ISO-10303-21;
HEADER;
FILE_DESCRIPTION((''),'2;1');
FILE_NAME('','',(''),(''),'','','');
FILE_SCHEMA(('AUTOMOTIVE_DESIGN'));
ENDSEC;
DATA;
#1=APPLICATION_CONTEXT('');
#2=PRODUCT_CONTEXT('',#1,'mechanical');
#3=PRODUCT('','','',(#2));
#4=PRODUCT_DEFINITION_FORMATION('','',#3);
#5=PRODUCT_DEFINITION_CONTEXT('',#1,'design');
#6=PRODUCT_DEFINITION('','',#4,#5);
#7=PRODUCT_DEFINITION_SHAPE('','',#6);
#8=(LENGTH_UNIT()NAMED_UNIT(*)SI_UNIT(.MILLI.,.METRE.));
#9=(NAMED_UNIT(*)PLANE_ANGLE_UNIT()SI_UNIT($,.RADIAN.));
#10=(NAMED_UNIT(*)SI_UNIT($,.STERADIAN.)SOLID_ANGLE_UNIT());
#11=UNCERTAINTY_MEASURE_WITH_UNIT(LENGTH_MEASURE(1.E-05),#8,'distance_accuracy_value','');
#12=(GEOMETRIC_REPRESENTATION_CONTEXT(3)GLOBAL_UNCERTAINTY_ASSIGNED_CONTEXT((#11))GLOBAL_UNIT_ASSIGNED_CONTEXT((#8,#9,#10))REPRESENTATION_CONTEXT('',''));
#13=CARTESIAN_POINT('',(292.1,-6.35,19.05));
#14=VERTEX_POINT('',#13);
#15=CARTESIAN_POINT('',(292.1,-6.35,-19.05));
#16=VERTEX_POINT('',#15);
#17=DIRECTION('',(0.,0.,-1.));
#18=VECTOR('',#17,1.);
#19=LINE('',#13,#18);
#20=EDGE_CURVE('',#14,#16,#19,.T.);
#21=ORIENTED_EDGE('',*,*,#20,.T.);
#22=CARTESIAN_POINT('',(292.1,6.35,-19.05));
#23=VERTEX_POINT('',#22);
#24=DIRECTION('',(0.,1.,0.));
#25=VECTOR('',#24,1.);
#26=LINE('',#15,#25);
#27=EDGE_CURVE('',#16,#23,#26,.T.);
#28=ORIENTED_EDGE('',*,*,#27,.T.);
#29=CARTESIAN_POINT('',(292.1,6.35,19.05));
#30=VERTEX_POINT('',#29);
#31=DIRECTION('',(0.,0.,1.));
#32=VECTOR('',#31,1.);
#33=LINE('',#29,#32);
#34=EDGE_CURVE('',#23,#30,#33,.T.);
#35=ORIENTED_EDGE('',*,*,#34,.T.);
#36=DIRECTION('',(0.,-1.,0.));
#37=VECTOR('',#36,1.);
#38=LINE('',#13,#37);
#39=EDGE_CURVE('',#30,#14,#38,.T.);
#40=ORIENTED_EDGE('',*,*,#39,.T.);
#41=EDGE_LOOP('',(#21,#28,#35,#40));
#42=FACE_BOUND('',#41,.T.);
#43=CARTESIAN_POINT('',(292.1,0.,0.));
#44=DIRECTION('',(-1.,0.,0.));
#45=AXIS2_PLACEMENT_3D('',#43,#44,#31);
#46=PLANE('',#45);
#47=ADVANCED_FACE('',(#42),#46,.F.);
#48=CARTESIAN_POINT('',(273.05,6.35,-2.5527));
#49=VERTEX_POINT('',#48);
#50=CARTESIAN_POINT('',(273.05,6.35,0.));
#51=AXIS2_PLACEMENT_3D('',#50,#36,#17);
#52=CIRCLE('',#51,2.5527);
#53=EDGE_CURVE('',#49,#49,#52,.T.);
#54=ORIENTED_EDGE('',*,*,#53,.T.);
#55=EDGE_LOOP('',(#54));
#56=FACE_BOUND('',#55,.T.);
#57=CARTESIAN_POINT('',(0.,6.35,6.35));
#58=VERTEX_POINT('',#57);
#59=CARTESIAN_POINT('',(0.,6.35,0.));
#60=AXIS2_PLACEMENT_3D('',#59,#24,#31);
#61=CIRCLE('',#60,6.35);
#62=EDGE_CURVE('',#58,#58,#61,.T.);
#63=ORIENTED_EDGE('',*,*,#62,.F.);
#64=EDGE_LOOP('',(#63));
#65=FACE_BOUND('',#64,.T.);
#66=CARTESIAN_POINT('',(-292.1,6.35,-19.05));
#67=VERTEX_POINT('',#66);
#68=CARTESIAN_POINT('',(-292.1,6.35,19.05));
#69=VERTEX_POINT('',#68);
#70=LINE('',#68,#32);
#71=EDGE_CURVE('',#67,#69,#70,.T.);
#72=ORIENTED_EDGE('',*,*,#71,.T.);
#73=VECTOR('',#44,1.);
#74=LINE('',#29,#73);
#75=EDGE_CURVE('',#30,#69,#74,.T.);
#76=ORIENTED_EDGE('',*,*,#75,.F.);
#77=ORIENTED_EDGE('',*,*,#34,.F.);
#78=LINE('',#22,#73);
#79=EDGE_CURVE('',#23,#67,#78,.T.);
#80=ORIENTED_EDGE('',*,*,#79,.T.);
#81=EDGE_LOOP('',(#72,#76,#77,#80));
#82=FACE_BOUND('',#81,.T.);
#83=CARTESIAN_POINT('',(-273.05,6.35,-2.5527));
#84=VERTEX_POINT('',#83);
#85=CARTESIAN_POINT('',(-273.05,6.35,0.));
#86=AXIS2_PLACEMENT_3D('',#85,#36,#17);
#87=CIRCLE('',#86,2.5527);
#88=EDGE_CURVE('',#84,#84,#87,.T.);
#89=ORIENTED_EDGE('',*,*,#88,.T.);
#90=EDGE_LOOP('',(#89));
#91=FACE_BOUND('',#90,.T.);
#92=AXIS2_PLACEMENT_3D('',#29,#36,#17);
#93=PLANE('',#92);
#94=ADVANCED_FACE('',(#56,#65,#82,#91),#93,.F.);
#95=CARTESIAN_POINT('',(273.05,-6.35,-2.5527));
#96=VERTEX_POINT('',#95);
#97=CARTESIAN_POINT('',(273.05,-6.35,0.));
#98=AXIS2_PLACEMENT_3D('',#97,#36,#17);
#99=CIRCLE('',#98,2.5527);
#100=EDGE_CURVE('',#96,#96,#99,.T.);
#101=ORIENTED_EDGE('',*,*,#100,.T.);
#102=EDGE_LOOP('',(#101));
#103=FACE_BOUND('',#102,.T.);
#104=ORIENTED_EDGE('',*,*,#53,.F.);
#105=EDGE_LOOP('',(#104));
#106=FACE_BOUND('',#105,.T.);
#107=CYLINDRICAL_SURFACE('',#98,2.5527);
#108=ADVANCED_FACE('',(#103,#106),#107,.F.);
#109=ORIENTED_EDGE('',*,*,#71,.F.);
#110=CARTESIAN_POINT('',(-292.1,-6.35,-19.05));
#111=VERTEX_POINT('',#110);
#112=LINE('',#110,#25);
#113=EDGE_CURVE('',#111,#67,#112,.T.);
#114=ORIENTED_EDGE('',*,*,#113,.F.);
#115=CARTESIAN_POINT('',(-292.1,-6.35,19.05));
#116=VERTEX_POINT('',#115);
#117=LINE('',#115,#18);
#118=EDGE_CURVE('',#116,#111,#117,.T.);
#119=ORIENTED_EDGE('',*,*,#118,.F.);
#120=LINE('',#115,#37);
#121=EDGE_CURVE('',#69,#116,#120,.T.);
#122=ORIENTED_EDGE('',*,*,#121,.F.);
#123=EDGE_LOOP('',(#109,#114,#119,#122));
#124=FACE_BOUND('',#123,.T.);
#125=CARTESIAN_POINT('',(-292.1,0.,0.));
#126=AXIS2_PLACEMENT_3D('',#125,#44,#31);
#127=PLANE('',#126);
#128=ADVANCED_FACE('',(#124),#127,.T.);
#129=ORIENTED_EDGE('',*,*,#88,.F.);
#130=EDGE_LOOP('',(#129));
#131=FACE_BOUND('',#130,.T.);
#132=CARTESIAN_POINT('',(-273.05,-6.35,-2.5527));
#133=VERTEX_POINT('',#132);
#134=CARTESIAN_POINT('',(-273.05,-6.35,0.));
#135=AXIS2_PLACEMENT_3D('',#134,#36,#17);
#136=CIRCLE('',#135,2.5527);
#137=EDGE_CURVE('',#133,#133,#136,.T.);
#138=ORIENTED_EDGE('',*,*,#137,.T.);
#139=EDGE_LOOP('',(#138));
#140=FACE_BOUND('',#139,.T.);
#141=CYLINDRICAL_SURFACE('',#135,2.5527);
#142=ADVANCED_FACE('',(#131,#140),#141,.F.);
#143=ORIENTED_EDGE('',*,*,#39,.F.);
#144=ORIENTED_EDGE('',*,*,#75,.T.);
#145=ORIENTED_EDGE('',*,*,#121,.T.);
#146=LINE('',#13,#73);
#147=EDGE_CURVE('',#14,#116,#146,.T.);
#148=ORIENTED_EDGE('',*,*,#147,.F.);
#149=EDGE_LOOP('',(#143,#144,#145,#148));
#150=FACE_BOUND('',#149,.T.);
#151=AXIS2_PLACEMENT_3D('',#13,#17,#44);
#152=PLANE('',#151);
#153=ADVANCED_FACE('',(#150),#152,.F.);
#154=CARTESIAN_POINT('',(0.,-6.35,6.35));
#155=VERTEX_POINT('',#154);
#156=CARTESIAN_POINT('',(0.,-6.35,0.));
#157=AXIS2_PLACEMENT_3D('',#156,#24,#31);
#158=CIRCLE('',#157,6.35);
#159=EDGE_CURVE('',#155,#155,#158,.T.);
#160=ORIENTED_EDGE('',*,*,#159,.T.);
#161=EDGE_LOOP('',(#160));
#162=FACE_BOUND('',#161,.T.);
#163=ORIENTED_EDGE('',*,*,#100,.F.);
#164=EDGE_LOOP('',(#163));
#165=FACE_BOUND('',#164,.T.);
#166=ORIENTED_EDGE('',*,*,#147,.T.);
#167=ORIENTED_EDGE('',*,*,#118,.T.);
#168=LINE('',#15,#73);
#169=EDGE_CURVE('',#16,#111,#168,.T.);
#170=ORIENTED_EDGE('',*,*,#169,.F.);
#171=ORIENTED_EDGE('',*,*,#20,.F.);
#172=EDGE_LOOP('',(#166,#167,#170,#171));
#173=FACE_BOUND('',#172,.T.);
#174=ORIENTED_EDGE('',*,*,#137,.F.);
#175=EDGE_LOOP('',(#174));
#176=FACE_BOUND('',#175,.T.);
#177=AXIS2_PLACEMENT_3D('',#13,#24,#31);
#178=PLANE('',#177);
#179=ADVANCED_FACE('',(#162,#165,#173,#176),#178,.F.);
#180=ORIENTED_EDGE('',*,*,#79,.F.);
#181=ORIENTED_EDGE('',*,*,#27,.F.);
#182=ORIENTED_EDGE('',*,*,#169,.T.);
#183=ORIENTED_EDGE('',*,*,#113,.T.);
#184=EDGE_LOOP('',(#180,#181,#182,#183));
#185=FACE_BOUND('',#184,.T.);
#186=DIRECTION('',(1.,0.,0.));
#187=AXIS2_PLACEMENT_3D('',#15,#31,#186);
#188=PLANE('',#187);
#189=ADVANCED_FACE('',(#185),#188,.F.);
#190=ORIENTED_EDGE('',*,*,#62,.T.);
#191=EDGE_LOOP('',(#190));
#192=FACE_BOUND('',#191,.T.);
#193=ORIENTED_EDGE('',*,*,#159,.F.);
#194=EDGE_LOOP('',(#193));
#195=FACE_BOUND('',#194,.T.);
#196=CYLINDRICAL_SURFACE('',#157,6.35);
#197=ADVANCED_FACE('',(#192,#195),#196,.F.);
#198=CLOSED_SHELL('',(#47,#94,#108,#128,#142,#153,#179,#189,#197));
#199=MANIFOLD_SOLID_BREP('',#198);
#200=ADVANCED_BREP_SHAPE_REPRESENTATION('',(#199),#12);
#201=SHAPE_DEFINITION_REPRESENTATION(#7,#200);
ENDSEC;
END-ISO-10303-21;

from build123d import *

# Parameters (mm, degrees)
SKETCH1_W               = 38.1
SKETCH1_H               = 12.7
BOSS_EXTRUDE1_DEPTH     = 292.1
SKETCH2_R               = 6.35
CUT_EXTRUDE1_DEPTH      = 293.995908675
F_1_4_20_TAPPED_HOLE1_D = 5.1054


with BuildPart() as part:
    # Sketch1 → Boss-Extrude1 (new, symmetric)
    with BuildSketch(Plane(origin=(0, 0, 0), x_dir=(0, 0, -1), z_dir=(1, 0, 0))):
        Rectangle(SKETCH1_W, SKETCH1_H)
    extrude(amount=BOSS_EXTRUDE1_DEPTH, both=True)

    # Sketch2 → Cut-Extrude1 (cut, through all)
    with BuildSketch(Plane(origin=(0, 6.35, 0), x_dir=(1, 0, 0), z_dir=(0, 1, 0))):
        with Locations(Location((0, 0, 0), (0, 0, 270))):
            Circle(SKETCH2_R)
    extrude(amount=-CUT_EXTRUDE1_DEPTH, mode=Mode.SUBTRACT)

    # 1/4-20 Tapped Hole1 (through all)
    with Locations(Plane(origin=(0, -6.35, 0), x_dir=(-1, 0, 0), z_dir=(0, -1, 0))):
        with Locations((273.05, 0), (-273.05, 0)):
            Hole(F_1_4_20_TAPPED_HOLE1_D / 2)


solid = part.part
